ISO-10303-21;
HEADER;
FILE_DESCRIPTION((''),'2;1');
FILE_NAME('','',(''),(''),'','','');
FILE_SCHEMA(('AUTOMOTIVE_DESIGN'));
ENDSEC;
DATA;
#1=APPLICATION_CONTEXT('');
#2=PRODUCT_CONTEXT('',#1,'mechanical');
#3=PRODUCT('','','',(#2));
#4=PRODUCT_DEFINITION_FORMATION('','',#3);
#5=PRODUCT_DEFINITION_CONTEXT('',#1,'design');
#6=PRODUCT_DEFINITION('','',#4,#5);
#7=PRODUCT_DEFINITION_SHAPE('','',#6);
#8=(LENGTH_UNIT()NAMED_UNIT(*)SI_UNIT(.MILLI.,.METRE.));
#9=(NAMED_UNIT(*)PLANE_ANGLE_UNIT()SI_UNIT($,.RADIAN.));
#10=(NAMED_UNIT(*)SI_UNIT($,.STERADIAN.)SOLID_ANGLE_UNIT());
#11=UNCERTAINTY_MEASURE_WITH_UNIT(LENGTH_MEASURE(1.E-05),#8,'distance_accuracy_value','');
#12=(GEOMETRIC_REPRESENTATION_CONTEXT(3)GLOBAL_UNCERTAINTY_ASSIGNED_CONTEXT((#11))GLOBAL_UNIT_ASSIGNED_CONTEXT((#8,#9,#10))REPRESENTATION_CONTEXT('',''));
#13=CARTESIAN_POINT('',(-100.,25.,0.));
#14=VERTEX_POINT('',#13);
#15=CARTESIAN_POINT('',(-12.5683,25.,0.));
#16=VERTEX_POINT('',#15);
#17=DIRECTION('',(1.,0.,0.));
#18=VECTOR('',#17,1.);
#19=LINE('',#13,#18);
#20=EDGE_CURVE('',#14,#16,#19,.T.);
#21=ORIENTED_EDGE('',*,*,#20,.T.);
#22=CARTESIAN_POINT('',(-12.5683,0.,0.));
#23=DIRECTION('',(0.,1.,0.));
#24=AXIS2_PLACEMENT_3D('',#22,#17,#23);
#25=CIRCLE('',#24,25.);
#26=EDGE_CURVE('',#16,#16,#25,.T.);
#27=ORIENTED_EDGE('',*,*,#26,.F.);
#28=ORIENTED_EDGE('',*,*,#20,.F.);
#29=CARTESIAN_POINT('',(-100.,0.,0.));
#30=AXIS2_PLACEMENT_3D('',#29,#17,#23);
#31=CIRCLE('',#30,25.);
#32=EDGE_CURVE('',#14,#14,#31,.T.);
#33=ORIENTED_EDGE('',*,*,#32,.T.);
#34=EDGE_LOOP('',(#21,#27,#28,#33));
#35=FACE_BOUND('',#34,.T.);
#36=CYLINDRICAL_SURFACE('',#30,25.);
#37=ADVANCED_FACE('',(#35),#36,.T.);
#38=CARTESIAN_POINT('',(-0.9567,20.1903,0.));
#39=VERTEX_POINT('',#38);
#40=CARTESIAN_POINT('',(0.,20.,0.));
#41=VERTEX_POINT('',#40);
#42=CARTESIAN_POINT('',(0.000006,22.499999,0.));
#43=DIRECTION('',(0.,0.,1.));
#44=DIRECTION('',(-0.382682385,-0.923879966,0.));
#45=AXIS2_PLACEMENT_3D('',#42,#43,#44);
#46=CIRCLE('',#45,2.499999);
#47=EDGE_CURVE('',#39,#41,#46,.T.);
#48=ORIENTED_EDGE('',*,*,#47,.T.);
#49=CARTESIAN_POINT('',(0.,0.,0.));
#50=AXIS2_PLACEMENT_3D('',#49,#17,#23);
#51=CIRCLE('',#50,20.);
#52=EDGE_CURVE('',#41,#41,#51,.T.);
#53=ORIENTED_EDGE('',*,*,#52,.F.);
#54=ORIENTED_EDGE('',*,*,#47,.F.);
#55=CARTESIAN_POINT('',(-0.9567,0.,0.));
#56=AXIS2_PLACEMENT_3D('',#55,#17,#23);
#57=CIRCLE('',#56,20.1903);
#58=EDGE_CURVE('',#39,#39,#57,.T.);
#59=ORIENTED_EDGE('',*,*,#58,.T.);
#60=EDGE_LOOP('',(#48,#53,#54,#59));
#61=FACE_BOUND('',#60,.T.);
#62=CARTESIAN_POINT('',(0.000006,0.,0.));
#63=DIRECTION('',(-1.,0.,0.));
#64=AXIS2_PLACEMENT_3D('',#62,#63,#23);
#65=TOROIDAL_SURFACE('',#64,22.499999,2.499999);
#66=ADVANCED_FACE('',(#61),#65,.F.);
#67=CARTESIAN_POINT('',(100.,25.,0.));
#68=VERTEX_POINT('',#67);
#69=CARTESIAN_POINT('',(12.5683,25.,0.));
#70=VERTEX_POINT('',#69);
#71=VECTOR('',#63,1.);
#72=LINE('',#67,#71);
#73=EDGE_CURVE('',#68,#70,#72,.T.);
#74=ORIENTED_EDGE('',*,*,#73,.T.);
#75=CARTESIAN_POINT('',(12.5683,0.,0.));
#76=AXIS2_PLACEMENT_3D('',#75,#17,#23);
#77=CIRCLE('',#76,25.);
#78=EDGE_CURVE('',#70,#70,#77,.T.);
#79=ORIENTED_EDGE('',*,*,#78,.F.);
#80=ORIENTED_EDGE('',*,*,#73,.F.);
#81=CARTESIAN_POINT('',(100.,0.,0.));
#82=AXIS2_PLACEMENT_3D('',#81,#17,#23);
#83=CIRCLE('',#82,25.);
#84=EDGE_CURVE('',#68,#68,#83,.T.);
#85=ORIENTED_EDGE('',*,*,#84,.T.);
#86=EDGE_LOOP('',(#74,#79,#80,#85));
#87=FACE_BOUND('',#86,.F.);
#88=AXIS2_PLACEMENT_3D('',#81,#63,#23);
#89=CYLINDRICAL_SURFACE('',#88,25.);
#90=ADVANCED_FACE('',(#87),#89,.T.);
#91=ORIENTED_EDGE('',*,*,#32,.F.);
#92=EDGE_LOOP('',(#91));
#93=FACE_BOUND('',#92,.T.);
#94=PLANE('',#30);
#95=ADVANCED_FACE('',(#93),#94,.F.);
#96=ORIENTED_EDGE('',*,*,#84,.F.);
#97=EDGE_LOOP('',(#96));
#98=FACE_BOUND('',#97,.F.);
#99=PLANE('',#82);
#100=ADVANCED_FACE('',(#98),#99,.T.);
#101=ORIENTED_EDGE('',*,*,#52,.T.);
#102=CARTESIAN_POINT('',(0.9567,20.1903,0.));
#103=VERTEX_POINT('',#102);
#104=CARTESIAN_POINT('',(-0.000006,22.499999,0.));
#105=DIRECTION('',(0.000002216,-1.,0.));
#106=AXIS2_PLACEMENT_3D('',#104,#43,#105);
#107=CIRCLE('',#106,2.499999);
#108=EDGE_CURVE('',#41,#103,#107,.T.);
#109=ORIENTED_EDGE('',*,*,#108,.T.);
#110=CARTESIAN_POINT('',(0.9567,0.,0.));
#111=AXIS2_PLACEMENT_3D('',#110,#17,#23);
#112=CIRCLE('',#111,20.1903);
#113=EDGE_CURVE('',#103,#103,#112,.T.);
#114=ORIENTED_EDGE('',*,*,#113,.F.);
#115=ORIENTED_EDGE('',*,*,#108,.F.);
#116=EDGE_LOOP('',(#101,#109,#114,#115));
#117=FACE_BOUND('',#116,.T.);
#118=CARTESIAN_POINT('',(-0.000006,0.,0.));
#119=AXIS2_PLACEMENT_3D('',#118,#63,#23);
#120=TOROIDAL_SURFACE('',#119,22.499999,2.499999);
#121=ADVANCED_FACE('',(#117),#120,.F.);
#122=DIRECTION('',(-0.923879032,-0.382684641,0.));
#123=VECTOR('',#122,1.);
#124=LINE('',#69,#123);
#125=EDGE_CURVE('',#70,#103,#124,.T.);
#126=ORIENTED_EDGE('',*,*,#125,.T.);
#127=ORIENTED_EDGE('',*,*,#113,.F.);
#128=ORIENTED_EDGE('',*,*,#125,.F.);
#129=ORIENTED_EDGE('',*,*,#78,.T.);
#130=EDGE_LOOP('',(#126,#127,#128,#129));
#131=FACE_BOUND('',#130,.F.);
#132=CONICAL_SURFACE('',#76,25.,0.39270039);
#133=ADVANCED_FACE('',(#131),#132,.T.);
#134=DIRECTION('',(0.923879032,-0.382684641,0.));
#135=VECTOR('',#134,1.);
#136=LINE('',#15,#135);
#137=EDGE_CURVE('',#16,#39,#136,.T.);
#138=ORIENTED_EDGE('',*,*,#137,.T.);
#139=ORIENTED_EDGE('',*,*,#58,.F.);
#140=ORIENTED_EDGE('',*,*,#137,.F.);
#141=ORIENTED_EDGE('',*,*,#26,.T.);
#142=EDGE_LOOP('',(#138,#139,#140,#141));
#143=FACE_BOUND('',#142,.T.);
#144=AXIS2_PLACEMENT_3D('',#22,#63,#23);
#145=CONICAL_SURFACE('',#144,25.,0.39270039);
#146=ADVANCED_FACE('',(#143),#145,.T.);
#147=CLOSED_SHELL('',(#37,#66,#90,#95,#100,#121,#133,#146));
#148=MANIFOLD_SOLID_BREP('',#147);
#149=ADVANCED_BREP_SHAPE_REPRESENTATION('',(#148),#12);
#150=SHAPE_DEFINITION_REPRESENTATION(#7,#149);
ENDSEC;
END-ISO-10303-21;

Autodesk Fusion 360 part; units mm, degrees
sketch "Sketch1" plane through (0, 0, 0) normal (0, 0, 1) x (1, 0, 0)
  line L0 (100, 0) -> (100, 25)
  line L1 (100, 25) -> (12.5683, 25)
  line L2 (12.5683, 25) -> (0.9567, 20.1903)
  arc A0 (0, 20) -> (0.9567, 20.1903) centre (0, 22.5) ccw
  line L3 (0, 0) -> (100, 0) construction
  line L4 (0, 0) -> (0, 20) construction
  line L5 (100, 20) -> (0, 20) construction
  line L6 (100, 0) -> (100, -25) construction
  line L7 (100, -25) -> (12.5683, -25) construction
  line L8 (12.5683, -25) -> (0.9567, -20.1903) construction
  arc A1 (0.9567, -20.1903) -> (0, -20) centre (0, -22.5) ccw construction
  arc A2 (-0.9567, 20.1903) -> (0, 20) centre (0, 22.5) ccw
  line L9 (-12.5683, 25) -> (-0.9567, 20.1903)
  line L10 (-100, 25) -> (-12.5683, 25)
  line L11 (-100, 0) -> (-100, 25)
  line L12 (-100, 0) -> (-100, -25) construction
  line L13 (-100, -25) -> (-12.5683, -25) construction
  line L14 (-12.5683, -25) -> (-0.9567, -20.1903) construction
  arc A3 (0, -20) -> (-0.9567, -20.1903) centre (0, -22.5) ccw construction
  line L15 (-100, 0) -> (100, 0)
  dimension "Notch_Radius" = 2.5
  dimension "Notch_Height" = 5
  dimension "Bar_Diameter" = 50
  dimension "Bar_Length" = 200
  dimension "Notch_Theta" = 135
revolve "Revolve1" add sketch "Sketch1" angle 360 about axis through (-100, 0, 0) along (1, 0, 0)
